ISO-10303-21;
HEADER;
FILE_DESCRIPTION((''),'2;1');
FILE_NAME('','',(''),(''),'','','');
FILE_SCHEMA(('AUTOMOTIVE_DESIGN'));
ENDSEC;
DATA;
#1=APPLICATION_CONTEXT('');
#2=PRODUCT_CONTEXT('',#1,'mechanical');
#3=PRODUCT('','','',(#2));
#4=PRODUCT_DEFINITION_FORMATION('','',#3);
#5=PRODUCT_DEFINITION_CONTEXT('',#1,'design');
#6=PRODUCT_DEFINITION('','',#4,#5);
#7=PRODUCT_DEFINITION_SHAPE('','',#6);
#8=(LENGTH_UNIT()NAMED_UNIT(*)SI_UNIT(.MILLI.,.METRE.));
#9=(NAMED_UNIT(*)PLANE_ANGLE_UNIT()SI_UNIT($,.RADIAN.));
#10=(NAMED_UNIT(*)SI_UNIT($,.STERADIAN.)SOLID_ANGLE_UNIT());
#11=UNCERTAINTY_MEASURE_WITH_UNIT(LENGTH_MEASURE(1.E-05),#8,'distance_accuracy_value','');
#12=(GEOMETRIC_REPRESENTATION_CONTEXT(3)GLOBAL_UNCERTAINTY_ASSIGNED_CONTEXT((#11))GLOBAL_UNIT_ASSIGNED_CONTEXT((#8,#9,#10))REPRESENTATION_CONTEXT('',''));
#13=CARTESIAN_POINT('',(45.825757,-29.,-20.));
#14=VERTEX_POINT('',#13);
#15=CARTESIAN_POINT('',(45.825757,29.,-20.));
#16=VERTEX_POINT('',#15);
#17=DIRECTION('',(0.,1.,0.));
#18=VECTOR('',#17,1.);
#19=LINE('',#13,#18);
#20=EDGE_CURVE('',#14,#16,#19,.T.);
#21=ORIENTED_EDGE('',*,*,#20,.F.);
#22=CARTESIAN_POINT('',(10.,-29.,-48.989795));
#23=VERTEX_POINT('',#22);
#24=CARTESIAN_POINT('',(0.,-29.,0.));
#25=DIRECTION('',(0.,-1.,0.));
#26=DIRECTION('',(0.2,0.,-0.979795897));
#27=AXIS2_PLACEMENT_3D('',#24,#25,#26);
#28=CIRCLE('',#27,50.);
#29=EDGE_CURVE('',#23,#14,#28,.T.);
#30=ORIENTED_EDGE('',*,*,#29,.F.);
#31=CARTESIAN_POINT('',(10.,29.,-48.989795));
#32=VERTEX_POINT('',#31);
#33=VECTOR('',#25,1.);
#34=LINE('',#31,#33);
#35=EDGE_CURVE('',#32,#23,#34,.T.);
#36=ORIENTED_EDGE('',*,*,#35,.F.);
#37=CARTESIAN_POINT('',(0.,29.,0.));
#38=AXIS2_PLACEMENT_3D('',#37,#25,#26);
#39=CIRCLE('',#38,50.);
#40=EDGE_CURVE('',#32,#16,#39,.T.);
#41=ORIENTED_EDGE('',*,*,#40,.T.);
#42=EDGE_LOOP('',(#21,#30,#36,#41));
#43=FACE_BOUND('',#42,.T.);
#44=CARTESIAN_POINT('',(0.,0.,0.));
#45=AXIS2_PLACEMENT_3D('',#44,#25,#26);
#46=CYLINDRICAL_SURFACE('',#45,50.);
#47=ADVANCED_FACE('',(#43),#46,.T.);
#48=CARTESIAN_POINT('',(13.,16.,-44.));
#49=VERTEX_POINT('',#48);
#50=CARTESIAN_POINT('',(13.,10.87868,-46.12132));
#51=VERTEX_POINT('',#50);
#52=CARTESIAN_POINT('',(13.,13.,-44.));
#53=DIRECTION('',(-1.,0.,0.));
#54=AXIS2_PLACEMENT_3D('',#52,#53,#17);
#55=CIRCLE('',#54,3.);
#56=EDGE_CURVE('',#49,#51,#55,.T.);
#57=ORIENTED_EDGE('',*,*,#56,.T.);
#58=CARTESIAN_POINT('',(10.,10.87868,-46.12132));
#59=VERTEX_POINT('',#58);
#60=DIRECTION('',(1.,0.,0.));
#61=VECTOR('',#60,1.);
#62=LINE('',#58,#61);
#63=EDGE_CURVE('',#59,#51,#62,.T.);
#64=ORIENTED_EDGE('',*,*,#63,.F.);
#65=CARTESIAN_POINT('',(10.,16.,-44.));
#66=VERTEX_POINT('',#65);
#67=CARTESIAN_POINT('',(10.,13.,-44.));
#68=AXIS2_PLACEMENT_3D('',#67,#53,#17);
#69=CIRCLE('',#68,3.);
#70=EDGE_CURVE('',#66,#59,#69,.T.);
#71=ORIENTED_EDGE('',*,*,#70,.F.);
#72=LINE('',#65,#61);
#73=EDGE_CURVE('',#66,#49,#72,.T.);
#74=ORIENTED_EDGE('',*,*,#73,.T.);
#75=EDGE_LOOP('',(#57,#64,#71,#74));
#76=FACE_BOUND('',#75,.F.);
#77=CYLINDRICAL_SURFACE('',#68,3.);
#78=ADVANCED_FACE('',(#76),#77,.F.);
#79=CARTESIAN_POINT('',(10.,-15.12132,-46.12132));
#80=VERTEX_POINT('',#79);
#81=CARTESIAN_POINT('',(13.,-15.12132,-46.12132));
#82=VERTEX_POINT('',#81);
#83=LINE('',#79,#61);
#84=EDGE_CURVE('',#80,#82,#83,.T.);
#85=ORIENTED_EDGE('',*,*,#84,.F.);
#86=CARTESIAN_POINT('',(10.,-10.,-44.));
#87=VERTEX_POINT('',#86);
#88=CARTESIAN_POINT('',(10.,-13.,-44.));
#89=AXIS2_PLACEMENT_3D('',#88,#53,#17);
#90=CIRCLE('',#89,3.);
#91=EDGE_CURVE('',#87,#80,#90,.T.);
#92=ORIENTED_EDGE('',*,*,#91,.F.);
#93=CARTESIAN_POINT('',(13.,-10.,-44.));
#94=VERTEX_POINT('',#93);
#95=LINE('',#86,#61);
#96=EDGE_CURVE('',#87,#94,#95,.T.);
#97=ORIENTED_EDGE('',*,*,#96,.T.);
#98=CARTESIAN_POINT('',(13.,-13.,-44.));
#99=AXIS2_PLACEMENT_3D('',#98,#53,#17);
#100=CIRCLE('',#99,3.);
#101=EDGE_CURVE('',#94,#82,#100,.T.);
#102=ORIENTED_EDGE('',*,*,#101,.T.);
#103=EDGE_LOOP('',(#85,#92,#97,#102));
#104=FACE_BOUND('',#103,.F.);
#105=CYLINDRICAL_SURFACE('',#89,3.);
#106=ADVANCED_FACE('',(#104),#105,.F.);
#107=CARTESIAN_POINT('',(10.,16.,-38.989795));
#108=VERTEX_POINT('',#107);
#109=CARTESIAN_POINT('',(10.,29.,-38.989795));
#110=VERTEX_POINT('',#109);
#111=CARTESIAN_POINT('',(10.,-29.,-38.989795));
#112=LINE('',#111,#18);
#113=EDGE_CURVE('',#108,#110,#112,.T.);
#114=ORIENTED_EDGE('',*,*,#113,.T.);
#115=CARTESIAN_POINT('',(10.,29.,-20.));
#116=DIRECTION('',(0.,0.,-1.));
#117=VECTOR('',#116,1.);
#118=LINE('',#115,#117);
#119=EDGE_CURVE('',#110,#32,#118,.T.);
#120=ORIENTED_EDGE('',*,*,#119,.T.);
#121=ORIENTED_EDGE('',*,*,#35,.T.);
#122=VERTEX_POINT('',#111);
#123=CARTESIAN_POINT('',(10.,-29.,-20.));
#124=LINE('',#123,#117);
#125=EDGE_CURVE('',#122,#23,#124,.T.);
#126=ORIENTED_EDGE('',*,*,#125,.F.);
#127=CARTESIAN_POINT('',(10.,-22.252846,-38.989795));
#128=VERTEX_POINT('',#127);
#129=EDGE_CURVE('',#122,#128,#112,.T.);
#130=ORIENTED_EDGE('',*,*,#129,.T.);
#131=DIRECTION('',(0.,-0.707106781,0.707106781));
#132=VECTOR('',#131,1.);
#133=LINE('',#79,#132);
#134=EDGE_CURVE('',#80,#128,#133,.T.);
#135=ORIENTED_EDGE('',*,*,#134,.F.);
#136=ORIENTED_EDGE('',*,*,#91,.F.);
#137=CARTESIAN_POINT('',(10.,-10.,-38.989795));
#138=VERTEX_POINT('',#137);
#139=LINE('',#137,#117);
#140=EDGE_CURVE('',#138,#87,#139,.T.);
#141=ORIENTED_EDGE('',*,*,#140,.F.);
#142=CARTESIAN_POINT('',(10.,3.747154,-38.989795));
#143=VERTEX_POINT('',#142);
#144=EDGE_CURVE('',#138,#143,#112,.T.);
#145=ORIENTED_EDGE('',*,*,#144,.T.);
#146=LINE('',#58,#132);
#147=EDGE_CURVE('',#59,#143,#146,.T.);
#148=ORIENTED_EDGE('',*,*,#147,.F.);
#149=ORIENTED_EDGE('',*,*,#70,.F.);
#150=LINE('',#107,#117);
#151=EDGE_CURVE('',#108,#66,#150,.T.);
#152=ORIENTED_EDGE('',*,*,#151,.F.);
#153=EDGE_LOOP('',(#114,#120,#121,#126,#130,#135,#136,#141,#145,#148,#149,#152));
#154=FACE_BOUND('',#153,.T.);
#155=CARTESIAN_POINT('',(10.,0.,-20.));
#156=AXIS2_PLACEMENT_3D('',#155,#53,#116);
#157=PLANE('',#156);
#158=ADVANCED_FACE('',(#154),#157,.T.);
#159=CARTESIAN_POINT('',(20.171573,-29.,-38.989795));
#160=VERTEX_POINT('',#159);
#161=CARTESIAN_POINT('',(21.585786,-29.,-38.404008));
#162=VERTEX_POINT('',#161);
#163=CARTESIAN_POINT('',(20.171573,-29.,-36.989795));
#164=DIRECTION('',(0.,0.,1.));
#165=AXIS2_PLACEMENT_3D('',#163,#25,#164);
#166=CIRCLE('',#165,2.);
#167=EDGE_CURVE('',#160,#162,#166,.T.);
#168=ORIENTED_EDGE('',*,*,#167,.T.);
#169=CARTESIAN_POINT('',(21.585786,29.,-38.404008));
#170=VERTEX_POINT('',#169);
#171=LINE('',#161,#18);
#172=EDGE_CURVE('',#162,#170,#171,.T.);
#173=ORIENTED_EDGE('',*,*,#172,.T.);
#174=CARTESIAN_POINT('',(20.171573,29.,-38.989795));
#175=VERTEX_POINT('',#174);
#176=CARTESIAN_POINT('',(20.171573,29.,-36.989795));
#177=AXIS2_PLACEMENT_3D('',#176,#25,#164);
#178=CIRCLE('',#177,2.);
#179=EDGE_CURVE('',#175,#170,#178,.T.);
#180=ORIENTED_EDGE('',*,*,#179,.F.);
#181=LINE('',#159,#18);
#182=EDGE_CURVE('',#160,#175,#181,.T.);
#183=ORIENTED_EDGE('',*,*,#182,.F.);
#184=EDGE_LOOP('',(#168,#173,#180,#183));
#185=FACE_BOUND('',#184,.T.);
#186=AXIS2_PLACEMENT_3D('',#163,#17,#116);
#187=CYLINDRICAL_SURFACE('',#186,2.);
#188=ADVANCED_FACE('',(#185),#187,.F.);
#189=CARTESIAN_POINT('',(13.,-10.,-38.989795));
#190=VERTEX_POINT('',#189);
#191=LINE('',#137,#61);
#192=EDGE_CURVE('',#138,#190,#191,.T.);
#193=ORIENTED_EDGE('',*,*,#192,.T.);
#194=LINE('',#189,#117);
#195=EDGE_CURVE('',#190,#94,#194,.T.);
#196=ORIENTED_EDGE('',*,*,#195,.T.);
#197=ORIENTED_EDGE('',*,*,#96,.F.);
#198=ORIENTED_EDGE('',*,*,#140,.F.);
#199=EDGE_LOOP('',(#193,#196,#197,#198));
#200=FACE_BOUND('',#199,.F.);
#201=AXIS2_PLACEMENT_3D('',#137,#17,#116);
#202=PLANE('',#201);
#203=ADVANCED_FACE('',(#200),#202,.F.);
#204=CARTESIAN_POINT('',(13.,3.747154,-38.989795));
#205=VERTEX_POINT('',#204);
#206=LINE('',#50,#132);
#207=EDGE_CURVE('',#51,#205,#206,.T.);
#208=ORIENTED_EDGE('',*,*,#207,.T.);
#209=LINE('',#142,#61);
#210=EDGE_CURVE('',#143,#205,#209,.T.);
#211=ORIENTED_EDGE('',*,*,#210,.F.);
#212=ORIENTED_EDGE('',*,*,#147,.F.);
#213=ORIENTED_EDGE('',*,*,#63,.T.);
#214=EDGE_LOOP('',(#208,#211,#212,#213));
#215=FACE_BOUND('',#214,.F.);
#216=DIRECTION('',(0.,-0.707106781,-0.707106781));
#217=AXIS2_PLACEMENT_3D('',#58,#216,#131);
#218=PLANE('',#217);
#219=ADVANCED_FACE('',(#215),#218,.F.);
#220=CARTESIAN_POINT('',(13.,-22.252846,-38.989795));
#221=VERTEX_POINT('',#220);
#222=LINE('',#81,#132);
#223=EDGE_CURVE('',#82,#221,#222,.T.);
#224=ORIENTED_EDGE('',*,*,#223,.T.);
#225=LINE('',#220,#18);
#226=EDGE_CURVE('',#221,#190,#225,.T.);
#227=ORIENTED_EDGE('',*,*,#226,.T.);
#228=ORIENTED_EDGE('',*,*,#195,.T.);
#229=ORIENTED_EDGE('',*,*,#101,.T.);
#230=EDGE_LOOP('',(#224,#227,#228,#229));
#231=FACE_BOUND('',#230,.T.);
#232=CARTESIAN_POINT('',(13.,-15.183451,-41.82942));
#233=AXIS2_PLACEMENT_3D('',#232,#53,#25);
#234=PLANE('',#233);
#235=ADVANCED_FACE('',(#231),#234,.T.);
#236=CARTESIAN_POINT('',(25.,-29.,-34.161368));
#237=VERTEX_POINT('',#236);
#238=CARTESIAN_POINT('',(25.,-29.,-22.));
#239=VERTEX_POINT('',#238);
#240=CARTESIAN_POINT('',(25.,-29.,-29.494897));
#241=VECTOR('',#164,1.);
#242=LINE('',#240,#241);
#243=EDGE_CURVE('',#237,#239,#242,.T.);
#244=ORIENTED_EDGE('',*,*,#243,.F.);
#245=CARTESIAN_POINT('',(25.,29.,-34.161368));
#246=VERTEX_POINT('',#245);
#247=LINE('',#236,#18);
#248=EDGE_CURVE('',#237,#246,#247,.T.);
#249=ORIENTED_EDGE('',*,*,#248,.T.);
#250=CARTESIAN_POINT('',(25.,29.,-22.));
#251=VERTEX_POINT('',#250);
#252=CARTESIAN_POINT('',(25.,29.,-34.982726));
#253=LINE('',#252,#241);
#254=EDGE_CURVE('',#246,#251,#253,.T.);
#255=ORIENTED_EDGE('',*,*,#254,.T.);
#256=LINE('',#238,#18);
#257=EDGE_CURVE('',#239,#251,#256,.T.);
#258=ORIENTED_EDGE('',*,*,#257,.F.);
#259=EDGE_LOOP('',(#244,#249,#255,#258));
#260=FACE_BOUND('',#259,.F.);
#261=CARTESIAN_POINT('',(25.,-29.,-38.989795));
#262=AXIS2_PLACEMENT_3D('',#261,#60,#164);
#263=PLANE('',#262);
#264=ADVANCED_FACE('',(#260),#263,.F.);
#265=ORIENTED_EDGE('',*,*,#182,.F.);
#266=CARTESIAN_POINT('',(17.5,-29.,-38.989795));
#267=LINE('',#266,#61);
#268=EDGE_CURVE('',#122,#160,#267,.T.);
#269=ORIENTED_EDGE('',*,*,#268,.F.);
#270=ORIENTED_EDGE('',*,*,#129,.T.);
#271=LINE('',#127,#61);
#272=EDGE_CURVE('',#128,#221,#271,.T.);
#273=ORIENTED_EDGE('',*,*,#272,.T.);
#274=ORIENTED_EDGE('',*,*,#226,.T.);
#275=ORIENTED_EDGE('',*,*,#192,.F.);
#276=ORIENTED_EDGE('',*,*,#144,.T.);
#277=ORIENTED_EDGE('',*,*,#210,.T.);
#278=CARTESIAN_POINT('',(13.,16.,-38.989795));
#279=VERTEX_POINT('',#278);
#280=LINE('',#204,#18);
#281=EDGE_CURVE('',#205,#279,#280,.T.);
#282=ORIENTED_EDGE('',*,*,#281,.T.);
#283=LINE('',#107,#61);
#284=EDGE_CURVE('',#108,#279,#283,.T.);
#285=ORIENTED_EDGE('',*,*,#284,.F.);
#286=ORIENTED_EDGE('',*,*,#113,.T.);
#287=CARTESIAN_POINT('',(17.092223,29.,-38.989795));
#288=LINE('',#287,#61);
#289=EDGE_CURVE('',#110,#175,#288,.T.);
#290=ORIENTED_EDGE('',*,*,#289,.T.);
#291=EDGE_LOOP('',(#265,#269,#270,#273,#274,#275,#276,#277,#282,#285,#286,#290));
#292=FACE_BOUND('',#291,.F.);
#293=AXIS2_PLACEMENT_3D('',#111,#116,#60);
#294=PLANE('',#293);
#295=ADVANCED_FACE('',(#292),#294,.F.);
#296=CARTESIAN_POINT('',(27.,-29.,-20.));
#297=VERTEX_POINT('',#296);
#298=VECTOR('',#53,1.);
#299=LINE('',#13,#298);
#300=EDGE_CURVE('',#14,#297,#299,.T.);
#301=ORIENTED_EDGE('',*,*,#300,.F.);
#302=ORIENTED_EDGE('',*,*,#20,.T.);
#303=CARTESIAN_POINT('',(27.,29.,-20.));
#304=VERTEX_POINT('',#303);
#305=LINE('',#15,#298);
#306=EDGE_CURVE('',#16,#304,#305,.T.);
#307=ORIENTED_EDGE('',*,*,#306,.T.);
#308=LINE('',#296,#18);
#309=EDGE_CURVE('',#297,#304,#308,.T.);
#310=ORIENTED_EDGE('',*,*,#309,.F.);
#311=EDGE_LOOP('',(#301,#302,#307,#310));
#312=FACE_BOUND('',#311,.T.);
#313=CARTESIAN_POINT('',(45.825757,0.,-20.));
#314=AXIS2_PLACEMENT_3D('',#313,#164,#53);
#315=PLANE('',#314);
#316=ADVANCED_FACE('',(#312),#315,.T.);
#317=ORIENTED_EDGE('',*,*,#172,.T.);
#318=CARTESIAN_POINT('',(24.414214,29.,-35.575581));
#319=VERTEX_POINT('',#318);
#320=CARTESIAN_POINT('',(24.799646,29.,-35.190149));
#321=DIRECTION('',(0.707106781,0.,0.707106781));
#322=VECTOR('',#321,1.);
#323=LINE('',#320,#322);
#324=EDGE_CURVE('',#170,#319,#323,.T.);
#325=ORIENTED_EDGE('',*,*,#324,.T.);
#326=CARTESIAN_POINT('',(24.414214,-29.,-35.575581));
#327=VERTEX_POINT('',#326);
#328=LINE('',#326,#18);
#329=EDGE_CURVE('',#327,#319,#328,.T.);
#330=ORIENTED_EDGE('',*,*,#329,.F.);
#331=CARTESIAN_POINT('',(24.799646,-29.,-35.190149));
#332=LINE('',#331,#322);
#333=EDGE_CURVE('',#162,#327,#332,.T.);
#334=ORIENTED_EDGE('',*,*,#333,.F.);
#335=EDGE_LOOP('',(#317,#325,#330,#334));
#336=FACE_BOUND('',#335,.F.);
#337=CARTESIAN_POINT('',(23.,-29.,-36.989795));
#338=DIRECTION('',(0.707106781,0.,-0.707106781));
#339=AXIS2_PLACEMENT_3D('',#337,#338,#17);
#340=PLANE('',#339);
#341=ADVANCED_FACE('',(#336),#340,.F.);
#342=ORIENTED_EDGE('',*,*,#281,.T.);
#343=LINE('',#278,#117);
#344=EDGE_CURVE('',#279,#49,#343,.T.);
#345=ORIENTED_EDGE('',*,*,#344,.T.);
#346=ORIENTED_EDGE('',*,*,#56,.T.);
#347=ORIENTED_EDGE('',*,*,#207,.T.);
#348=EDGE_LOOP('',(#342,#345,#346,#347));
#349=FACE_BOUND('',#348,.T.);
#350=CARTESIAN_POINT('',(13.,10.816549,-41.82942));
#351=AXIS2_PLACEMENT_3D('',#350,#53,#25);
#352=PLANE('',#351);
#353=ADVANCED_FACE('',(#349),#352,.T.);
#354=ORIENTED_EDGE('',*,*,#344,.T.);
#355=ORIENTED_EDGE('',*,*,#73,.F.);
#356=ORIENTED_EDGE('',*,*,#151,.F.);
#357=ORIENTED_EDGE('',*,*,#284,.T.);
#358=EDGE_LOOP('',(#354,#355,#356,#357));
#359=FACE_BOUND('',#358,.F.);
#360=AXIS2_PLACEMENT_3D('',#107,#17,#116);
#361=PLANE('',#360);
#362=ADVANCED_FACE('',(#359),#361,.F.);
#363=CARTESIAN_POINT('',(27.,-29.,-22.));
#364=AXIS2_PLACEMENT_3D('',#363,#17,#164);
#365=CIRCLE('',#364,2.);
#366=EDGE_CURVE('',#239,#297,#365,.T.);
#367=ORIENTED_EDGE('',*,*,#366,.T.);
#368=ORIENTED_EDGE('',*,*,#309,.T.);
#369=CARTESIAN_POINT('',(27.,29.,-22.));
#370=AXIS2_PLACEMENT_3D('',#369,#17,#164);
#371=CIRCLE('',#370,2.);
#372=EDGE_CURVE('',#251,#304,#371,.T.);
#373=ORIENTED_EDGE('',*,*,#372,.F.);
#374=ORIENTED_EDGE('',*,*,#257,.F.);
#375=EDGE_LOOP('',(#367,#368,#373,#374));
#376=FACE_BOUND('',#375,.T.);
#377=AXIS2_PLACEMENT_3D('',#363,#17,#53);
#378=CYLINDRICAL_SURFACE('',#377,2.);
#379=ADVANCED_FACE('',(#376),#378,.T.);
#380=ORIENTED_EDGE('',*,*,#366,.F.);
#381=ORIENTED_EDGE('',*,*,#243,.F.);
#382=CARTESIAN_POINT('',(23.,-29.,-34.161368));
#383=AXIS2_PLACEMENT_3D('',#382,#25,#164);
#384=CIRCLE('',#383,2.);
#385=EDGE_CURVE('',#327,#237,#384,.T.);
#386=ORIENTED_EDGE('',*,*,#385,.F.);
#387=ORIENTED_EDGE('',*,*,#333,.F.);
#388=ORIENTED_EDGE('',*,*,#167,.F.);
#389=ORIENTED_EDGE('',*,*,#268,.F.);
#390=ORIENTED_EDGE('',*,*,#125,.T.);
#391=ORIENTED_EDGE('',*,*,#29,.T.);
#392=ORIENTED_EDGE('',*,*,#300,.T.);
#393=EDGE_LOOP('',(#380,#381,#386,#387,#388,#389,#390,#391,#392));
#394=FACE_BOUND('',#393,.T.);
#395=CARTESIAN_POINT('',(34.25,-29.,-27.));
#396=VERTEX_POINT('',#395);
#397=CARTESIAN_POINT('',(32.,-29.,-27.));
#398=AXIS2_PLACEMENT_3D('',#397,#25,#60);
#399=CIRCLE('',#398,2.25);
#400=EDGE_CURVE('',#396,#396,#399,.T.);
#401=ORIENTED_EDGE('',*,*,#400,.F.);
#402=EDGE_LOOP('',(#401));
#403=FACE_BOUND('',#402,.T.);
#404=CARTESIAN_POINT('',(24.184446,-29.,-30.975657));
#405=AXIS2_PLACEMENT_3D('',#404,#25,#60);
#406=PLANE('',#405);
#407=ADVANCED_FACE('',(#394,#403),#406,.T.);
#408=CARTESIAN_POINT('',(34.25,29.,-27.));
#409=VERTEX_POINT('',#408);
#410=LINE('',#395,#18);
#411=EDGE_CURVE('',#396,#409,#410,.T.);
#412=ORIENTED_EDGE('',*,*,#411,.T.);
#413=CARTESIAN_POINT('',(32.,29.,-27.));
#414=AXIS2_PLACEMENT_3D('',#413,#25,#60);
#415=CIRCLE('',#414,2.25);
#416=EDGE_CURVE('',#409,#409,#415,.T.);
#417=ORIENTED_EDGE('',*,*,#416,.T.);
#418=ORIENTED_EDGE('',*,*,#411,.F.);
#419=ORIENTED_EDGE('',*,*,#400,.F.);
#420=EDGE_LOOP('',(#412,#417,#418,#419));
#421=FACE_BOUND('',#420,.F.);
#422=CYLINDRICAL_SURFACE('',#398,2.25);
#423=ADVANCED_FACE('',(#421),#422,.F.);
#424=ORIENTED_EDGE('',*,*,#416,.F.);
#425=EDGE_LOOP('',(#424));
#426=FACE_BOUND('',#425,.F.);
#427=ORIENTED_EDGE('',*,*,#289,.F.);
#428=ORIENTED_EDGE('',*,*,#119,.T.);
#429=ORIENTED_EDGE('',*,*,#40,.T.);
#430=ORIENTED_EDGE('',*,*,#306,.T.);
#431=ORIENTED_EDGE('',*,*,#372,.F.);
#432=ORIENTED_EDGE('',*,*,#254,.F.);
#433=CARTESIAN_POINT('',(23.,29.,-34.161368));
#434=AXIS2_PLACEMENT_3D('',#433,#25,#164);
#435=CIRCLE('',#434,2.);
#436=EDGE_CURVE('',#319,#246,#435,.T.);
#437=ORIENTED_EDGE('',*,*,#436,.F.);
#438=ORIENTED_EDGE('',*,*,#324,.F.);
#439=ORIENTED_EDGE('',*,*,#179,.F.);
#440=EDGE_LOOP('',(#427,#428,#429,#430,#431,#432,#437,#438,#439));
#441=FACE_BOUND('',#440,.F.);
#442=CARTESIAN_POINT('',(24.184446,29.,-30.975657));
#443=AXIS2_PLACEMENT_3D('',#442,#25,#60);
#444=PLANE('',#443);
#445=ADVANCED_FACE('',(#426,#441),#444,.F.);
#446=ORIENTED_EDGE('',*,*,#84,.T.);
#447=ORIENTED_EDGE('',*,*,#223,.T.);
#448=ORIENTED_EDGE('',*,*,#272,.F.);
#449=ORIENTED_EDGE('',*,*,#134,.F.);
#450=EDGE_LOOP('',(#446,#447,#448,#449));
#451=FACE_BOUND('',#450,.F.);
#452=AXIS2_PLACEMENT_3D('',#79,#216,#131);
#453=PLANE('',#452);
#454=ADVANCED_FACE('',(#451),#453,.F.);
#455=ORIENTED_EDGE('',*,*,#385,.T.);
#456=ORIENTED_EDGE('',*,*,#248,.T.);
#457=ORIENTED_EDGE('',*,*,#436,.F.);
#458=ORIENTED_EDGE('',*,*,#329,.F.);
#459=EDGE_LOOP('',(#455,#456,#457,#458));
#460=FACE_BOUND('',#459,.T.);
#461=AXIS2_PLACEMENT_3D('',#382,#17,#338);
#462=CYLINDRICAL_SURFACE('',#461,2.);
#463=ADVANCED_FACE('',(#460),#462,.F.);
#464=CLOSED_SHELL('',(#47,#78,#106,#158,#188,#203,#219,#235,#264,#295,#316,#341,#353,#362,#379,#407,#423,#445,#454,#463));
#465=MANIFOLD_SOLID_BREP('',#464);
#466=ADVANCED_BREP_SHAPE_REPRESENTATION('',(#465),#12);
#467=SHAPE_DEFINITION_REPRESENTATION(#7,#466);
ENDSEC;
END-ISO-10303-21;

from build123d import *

# Parameters (mm, degrees)
F1_DEPTH = 29
F2_W     = 15
F2_H     = 18.9897948557
F3_DEPTH = 58.001
F4_SIZE  = 4
F6_DEPTH = 3
F7_R     = 2.25
F8_DEPTH = 58.001
F9_R     = 2


with BuildPart() as f1:
    # F0 (on Front) → F1 (new body, symmetric)
    with BuildSketch(Plane.XZ):
        with BuildLine():
            Line((10, -20), (10, -48.9897948557))
            ThreePointArc((10, -48.9897948557), (31.4520402548, -38.8686141226), (45.8257569496, -20))
            Line((45.8257569496, -20), (10, -20))
        make_face()
    extrude(amount=F1_DEPTH, both=True)

    # F2 (on face) → F3 (cut, through all)
    with BuildSketch(Plane.XZ.offset(29)):
        with Locations((17.5, -29.4948974278)):
            Rectangle(F2_W, F2_H)
    extrude(amount=-F3_DEPTH, mode=Mode.SUBTRACT)

    # F4
    f4_edges = [f1.edges().sort_by_distance(p)[0] for p in [
        (25, 0, -38.989795),
    ]]
    chamfer(f4_edges, length=F4_SIZE)

    # F5 (on face) → F6 (cut)
    with BuildSketch(Plane(origin=(10, 0, 0), x_dir=(0, -1, 0), z_dir=(-1, 0, 0))):
        with BuildLine():
            Line((-16, -38.9897948557), (-16, -44))
            ThreePointArc((-16, -44), (-14.1480502971, -46.7716385975), (-10.8786796564, -46.1213203436))
            Line((-10.8786796564, -46.1213203436), (-3.7471541685, -38.9897948557))
            Line((-3.7471541685, -38.9897948557), (-16, -38.9897948557))
        make_face()
        with BuildLine():
            Line((10, -38.9897948557), (10, -44))
            ThreePointArc((10, -44), (11.8519497029, -46.7716385975), (15.1213203436, -46.1213203436))
            Line((15.1213203436, -46.1213203436), (22.2528458315, -38.9897948557))
            Line((22.2528458315, -38.9897948557), (10, -38.9897948557))
        make_face()
    extrude(amount=-F6_DEPTH, mode=Mode.SUBTRACT)

    # F7 (on face) → F8 (cut, through all)
    with BuildSketch(Plane.XZ.offset(29)):
        with Locations((32, -27)):
            Circle(F7_R)
    extrude(amount=-F8_DEPTH, mode=Mode.SUBTRACT)

    # F9
    f9_edges = [f1.edges().sort_by_distance(p)[0] for p in [
        (25, 0, -20),
        (25, 0, -34.989795),
        (21, 0, -38.989795),
    ]]
    fillet(f9_edges, radius=F9_R)


solid = f1.part
